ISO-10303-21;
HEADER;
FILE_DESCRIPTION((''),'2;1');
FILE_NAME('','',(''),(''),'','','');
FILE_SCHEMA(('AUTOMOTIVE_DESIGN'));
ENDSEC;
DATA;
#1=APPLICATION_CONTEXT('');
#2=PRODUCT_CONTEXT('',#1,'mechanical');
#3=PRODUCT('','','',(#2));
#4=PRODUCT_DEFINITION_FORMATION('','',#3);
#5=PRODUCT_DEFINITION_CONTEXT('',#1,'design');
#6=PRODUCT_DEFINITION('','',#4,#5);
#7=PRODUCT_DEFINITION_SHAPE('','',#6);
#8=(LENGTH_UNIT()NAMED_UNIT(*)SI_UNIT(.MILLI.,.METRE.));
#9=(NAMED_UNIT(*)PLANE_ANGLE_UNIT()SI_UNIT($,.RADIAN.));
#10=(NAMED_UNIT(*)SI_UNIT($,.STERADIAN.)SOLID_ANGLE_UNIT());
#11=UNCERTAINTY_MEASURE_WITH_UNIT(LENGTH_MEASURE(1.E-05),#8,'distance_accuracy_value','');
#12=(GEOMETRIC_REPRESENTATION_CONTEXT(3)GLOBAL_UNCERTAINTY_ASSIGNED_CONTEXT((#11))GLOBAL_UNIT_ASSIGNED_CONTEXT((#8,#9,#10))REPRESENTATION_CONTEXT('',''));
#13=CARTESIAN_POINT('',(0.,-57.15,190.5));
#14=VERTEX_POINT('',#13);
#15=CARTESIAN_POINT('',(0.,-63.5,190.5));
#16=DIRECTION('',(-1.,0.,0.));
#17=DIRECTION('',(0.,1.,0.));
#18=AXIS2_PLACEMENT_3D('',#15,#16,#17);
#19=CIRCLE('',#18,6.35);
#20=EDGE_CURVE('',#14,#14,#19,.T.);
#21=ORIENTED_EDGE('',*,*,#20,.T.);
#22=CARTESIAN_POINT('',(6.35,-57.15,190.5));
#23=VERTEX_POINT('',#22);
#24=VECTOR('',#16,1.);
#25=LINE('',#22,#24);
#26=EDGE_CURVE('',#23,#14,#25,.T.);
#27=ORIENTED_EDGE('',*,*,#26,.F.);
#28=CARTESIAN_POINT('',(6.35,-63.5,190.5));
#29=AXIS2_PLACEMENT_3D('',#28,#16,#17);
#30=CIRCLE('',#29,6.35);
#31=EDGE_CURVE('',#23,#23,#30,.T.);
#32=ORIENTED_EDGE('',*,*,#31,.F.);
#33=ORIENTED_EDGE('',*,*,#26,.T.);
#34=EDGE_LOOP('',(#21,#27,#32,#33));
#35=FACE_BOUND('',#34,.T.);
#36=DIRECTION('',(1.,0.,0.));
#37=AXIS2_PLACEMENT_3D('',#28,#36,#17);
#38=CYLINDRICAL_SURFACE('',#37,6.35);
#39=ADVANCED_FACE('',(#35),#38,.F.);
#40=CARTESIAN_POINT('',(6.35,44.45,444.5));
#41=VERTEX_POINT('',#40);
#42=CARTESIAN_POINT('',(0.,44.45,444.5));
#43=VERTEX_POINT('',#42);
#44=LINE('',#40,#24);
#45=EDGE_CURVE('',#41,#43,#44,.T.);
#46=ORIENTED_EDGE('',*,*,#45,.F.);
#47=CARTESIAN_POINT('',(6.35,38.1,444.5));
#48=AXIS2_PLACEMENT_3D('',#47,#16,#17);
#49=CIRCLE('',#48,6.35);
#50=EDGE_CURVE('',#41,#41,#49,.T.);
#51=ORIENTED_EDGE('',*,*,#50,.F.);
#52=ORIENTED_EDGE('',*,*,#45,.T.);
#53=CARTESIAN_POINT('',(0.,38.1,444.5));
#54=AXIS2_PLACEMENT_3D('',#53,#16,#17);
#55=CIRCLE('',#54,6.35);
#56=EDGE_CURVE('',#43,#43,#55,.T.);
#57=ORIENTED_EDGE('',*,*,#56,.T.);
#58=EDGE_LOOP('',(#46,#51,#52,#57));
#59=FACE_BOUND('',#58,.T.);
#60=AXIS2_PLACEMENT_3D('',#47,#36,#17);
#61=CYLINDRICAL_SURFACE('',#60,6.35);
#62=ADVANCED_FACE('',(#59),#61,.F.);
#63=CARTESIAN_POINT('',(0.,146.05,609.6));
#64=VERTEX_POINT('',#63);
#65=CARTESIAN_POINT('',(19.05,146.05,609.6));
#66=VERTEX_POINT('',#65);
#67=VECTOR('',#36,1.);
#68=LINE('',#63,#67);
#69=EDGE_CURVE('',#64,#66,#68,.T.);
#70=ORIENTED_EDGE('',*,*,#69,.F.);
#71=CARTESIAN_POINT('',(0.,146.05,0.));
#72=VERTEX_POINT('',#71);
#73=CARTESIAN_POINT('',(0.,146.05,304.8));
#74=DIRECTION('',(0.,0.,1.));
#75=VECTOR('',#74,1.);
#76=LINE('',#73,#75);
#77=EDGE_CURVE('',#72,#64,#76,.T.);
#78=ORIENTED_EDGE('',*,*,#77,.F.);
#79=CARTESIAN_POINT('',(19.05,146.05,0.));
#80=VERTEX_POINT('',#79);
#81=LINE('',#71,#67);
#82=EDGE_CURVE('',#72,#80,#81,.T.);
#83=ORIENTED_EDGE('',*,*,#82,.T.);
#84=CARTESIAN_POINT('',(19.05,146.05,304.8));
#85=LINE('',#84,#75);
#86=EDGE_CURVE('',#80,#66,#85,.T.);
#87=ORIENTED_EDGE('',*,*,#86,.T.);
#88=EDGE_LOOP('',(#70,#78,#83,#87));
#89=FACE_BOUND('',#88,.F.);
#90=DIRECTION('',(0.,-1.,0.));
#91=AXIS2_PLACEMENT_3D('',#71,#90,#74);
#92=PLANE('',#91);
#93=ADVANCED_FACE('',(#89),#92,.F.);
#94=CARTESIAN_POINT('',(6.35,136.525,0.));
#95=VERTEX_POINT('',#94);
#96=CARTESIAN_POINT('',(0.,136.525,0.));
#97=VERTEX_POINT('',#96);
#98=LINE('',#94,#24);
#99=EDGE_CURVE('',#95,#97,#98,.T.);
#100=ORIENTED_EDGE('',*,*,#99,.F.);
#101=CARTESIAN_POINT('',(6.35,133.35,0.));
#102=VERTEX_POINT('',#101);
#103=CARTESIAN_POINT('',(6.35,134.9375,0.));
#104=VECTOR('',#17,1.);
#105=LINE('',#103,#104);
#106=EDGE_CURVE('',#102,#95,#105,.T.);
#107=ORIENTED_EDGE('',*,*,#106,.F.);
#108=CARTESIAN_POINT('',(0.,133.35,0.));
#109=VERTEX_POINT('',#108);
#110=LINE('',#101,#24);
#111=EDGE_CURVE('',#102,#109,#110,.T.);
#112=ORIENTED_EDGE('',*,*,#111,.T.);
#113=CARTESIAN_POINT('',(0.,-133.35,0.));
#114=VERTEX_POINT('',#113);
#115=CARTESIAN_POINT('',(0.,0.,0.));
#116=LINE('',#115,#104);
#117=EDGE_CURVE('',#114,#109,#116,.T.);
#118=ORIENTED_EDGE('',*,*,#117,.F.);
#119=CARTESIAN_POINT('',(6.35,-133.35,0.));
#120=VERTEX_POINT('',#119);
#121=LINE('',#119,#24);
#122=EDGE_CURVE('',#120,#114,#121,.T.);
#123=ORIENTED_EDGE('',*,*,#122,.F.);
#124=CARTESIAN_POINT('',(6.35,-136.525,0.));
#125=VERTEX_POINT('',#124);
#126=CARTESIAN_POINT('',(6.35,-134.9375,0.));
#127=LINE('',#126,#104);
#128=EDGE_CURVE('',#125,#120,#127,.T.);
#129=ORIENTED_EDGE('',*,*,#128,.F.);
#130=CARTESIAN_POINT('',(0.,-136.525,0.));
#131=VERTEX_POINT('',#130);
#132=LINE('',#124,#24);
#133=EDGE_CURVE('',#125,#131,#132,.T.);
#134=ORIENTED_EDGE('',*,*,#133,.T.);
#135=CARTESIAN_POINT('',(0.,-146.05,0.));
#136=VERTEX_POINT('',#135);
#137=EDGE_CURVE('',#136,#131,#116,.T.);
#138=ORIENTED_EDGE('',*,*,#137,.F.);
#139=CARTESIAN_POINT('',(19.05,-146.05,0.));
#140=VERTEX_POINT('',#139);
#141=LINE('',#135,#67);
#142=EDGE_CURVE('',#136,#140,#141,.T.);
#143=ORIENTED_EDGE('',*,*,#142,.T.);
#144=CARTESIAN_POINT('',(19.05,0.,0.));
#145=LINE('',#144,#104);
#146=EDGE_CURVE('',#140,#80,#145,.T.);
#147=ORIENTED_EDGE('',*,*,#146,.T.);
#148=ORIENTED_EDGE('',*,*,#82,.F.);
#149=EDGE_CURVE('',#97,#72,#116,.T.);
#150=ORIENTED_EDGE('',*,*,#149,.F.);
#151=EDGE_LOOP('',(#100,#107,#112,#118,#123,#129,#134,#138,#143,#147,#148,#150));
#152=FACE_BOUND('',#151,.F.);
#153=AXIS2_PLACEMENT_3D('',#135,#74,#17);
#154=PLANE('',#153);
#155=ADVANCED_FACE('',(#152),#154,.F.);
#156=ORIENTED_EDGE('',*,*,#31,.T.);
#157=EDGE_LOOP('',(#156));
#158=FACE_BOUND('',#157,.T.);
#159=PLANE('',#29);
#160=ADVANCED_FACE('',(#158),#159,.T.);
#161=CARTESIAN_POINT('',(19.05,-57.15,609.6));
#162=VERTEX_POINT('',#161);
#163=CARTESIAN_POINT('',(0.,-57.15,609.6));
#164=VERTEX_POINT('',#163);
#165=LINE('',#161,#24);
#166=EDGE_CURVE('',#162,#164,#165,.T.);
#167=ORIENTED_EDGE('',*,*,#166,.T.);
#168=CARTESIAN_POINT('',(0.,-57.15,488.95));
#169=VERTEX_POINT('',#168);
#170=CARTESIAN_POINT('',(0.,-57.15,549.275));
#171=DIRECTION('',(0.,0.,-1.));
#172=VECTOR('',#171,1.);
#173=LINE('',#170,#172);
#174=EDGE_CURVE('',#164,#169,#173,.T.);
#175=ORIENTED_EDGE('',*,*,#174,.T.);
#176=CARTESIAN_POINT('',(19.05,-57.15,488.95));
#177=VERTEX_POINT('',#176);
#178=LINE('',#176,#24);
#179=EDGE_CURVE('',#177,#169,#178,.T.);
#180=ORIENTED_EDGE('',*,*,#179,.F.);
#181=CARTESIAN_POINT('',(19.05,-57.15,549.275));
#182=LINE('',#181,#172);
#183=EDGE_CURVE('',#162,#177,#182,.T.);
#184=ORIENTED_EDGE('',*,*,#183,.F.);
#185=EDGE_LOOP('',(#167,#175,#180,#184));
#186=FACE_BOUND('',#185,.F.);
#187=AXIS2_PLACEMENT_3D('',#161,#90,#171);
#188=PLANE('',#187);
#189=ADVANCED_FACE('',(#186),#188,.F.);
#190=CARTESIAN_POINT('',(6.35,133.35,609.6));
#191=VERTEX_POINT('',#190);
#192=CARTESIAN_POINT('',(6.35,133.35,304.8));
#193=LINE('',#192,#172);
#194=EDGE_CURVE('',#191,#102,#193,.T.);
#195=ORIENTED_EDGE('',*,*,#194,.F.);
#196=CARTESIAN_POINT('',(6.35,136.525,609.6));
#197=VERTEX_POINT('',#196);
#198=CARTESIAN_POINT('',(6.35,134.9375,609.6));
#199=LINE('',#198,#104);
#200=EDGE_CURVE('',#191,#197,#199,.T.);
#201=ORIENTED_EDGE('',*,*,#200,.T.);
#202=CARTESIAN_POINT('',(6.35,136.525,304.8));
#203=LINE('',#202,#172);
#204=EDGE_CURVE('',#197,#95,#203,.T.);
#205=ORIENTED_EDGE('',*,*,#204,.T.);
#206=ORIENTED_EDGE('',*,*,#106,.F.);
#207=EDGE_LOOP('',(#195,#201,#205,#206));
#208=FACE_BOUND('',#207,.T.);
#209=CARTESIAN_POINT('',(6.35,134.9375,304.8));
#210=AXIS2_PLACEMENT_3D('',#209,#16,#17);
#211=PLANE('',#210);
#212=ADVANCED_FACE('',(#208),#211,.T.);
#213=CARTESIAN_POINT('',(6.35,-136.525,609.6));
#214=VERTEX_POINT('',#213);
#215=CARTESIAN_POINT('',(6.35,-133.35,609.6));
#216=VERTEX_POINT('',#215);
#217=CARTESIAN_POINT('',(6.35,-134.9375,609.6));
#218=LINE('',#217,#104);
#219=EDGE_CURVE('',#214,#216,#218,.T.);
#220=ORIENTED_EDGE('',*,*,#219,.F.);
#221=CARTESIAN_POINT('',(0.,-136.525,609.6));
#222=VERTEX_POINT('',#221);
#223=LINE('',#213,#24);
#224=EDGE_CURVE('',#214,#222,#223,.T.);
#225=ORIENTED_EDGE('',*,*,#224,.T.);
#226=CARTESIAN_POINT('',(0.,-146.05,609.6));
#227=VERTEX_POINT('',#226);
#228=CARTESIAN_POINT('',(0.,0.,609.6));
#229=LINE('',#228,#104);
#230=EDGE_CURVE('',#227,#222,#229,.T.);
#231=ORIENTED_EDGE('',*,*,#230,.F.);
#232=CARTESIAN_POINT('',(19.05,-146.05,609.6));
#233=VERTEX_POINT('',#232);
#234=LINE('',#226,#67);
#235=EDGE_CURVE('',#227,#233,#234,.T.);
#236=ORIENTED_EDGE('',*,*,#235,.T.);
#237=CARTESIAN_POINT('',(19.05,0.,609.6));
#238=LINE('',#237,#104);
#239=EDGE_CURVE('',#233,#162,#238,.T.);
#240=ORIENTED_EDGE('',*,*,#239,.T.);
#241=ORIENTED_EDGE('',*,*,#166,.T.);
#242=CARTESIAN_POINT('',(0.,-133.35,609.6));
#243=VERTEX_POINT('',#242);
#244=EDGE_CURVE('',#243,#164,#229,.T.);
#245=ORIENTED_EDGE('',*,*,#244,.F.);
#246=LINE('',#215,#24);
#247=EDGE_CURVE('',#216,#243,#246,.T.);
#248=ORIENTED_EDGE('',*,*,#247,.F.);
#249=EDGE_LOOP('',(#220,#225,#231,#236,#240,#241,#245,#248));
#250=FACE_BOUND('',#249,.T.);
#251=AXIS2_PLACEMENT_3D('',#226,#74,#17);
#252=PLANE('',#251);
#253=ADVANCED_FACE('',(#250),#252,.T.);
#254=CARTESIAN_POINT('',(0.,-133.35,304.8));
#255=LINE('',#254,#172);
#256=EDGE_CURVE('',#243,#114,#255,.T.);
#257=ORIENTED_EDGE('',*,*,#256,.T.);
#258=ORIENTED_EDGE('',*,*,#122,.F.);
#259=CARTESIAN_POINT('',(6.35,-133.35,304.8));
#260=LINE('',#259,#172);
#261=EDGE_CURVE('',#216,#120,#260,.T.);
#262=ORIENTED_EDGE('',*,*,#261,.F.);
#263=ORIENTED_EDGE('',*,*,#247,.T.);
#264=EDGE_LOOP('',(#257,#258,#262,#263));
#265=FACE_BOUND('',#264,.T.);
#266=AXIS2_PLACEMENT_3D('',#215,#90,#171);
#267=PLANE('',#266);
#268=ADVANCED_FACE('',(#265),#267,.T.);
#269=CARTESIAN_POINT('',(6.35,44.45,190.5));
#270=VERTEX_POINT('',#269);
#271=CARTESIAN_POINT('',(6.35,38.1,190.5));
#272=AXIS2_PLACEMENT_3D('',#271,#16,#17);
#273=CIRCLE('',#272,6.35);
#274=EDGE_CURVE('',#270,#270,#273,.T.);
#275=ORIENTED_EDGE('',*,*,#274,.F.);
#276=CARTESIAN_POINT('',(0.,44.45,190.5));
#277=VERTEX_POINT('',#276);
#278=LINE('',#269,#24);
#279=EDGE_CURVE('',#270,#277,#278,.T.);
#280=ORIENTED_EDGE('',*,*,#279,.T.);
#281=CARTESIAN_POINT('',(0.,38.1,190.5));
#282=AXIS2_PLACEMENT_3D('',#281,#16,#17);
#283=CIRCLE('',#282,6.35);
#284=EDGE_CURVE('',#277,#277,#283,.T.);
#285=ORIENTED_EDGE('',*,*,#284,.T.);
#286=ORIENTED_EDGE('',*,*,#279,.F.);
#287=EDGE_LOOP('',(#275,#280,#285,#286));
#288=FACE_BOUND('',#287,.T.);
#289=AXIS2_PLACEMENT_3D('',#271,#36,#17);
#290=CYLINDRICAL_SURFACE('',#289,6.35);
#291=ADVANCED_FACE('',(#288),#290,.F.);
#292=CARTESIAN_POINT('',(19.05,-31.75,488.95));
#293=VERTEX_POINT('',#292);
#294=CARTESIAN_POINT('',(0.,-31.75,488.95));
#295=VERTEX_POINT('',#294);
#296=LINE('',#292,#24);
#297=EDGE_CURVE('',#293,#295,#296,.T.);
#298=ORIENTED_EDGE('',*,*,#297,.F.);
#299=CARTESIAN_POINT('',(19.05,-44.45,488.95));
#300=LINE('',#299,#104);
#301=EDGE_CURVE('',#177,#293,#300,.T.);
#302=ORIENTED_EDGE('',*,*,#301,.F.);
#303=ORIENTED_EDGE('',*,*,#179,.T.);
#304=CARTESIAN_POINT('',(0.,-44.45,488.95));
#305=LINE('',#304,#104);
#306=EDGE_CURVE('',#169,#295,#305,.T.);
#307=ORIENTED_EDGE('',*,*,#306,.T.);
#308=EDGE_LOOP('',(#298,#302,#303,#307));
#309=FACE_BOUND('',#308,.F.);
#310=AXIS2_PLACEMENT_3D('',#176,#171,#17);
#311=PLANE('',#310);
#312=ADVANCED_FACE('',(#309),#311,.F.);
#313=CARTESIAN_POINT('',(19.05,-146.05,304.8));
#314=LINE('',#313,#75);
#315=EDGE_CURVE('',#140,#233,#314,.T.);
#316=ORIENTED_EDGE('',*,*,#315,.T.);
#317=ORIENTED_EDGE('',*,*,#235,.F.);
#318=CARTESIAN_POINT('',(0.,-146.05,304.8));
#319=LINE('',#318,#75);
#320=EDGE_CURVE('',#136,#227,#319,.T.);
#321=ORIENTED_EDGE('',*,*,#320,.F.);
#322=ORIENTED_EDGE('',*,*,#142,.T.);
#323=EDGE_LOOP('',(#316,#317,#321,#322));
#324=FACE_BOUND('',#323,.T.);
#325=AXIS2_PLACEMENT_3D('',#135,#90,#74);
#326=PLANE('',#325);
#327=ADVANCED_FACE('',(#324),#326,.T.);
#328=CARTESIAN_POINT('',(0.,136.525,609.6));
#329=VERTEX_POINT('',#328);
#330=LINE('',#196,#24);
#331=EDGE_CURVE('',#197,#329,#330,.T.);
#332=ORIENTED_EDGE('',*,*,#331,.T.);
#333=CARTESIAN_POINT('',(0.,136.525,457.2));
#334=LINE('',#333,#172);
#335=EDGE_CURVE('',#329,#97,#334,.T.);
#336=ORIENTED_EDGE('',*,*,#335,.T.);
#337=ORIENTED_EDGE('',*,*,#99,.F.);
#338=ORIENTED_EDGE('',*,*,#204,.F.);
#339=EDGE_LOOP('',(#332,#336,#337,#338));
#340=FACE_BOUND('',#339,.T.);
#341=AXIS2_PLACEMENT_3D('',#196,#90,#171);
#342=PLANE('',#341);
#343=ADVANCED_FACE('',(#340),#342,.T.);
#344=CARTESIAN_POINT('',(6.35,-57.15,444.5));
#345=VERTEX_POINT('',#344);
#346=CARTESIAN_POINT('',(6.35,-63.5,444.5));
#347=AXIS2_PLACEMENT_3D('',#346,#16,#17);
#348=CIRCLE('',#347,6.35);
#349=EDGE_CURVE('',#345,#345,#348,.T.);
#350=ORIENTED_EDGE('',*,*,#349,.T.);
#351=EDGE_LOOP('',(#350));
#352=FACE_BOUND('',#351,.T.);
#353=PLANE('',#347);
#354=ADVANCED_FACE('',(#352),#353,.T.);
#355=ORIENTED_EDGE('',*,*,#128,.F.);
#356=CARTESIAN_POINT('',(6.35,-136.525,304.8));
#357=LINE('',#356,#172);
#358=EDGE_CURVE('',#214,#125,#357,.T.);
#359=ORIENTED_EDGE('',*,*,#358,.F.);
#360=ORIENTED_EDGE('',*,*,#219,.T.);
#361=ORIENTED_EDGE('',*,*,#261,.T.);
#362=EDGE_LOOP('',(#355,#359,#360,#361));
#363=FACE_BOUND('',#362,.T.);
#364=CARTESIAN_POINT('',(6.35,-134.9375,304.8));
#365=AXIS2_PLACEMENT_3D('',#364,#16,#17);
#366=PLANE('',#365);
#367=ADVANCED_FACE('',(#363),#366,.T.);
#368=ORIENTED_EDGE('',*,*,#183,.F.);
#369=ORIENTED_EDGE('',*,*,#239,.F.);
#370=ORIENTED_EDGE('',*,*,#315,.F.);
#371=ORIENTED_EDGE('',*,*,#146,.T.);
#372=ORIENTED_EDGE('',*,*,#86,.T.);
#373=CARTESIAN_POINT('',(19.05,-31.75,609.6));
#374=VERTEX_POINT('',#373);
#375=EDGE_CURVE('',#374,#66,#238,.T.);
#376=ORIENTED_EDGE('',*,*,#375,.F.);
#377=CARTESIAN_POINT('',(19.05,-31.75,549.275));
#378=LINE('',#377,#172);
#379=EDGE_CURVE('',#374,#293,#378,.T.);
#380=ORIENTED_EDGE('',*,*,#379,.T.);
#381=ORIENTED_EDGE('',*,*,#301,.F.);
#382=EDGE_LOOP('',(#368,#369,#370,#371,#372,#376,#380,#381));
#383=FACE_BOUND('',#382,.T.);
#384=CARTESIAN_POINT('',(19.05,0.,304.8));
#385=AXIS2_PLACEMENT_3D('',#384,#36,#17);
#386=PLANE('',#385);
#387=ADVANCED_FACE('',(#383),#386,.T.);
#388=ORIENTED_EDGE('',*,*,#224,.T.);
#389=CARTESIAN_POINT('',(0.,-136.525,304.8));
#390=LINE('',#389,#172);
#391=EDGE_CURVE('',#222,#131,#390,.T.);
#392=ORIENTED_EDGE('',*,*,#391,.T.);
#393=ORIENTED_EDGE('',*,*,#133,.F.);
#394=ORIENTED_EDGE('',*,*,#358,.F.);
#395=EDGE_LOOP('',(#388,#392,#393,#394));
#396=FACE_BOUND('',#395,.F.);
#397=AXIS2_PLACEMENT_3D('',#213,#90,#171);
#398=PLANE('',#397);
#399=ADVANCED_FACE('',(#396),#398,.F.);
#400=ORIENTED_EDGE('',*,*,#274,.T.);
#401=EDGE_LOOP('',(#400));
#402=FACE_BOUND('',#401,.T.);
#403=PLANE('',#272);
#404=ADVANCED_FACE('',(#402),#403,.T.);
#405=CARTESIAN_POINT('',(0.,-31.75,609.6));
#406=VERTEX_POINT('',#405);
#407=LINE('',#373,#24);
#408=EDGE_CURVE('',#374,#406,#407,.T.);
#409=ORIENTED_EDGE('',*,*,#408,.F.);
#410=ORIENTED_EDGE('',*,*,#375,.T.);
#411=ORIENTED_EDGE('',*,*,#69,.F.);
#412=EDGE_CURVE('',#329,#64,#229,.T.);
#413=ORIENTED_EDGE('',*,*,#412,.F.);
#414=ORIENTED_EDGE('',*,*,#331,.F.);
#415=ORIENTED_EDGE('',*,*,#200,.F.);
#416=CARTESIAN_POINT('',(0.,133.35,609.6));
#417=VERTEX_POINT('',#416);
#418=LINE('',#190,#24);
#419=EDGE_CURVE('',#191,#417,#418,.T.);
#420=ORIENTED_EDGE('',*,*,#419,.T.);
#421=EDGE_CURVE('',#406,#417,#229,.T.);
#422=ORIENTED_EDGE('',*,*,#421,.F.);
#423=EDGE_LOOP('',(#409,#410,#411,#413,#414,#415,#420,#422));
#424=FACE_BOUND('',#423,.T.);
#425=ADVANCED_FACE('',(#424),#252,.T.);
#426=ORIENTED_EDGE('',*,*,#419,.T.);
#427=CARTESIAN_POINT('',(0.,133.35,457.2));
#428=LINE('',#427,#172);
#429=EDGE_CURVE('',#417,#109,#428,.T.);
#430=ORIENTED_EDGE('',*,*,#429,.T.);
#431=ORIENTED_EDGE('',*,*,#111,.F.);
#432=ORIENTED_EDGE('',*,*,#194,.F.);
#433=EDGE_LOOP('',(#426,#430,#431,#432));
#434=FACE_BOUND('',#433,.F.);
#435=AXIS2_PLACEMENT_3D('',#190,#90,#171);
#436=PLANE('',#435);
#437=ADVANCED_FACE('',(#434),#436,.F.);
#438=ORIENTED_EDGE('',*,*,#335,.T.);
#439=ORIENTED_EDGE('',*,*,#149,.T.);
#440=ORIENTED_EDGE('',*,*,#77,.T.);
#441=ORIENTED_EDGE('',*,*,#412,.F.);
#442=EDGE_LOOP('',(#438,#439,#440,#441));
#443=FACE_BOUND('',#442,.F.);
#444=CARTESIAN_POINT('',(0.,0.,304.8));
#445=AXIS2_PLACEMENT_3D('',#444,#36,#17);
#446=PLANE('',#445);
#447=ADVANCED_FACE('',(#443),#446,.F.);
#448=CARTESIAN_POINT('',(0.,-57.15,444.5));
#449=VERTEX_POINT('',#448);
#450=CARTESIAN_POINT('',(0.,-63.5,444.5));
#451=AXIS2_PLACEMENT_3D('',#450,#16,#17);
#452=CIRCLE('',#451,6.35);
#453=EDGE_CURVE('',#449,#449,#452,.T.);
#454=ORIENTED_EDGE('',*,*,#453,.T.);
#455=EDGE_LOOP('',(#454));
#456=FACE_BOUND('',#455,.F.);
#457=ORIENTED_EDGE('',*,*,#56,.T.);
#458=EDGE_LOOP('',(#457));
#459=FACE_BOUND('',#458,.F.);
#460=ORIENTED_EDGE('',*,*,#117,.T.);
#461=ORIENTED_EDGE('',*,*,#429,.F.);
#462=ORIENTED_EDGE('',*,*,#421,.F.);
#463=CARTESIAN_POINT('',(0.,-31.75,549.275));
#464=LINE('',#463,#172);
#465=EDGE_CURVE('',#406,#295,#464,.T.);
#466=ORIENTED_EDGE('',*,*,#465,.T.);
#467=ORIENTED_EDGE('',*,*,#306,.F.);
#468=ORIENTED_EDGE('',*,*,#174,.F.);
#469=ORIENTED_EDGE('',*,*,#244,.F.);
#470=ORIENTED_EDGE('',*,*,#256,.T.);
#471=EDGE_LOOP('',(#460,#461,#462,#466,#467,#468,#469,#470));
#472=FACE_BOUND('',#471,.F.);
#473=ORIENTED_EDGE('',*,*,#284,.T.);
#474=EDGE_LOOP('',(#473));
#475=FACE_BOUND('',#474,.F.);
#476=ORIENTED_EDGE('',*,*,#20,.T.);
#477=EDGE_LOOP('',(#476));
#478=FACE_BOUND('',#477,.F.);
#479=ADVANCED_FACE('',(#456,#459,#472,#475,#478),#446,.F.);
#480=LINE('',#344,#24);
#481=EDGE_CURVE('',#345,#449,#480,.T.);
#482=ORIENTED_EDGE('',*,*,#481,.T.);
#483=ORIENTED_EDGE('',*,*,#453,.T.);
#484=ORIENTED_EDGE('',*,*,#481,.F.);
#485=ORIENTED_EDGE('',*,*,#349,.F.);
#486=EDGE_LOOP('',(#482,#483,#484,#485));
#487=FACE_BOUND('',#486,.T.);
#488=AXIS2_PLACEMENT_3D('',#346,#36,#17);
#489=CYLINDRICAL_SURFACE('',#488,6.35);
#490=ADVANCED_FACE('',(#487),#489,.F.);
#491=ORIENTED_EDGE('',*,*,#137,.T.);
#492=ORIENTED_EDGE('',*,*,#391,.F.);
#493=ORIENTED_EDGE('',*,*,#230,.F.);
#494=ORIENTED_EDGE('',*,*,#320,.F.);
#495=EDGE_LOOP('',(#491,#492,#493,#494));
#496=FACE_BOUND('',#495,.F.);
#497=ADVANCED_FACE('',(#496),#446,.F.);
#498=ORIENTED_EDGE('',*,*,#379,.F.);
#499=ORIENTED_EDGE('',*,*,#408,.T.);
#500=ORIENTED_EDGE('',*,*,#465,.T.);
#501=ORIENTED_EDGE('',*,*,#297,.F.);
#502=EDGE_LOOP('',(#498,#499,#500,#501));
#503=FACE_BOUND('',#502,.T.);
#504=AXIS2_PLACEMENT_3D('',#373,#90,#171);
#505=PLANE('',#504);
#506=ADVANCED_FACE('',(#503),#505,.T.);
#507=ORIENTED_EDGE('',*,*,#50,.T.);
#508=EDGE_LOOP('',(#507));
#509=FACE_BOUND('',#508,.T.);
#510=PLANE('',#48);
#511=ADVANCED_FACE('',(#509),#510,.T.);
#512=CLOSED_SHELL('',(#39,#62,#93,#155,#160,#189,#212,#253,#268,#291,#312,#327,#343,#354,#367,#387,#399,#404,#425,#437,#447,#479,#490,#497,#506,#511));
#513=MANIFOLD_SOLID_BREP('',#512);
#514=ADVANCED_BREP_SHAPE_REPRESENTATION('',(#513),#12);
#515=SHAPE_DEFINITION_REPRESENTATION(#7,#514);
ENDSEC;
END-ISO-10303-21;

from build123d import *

# Parameters (mm, degrees)
SKETCH_W          = 292.1
SKETCH_H          = 609.6
PAD_DEPTH         = 19.05
BOX_W             = 3.175
BOX_H             = 609.6
BOX_DEPTH         = 107.95
BOX001_W          = 3.175
BOX001_H          = 609.6
BOX001_DEPTH      = 6.35
CYLINDER_R        = 6.35
CYLINDER_DEPTH    = 6.35
CYLINDER001_R     = 6.35
CYLINDER001_DEPTH = 6.35
CYLINDER002_R     = 6.35
CYLINDER002_DEPTH = 6.35
CYLINDER003_R     = 6.35
CYLINDER003_DEPTH = 6.35
BOX002_W          = 25.4
BOX002_H          = 120.65
BOX002_DEPTH      = 19.05


with BuildPart() as part:
    # Sketch → Pad (new body)
    with BuildSketch(Plane.YZ):
        with Locations((0, 304.8)):
            Rectangle(SKETCH_W, SKETCH_H)
    extrude(amount=PAD_DEPTH)

    # Box → Box (cut)
    with BuildSketch(Plane(origin=(6.35, 133.35, 609.6), x_dir=(0, 1, 0), z_dir=(-1, 0, 0))):
        with Locations((1.5875, 304.8)):
            Rectangle(BOX_W, BOX_H)
    extrude(amount=BOX_DEPTH, mode=Mode.SUBTRACT)

    # Box001 → Box001 (cut)
    with BuildSketch(Plane(origin=(6.35, -136.525, 609.6), x_dir=(0, 1, 0), z_dir=(-1, 0, 0))):
        with Locations((1.5875, 304.8)):
            Rectangle(BOX001_W, BOX001_H)
    extrude(amount=BOX001_DEPTH, mode=Mode.SUBTRACT)

    # Cylinder → Cylinder (cut)
    with BuildSketch(Plane(origin=(6.35, -63.5, 444.5), x_dir=(0, 1, 0), z_dir=(-1, 0, 0))):
        Circle(CYLINDER_R)
    extrude(amount=CYLINDER_DEPTH, mode=Mode.SUBTRACT)

    # Cylinder001 → Cylinder001 (cut)
    with BuildSketch(Plane(origin=(6.35, 38.1, 444.5), x_dir=(0, 1, 0), z_dir=(-1, 0, 0))):
        Circle(CYLINDER001_R)
    extrude(amount=CYLINDER001_DEPTH, mode=Mode.SUBTRACT)

    # Cylinder002 → Cylinder002 (cut)
    with BuildSketch(Plane(origin=(6.35, 38.1, 190.5), x_dir=(0, 1, 0), z_dir=(-1, 0, 0))):
        Circle(CYLINDER002_R)
    extrude(amount=CYLINDER002_DEPTH, mode=Mode.SUBTRACT)

    # Cylinder003 → Cylinder003 (cut)
    with BuildSketch(Plane(origin=(6.35, -63.5, 190.5), x_dir=(0, 1, 0), z_dir=(-1, 0, 0))):
        Circle(CYLINDER003_R)
    extrude(amount=CYLINDER003_DEPTH, mode=Mode.SUBTRACT)

    # Box002 → Box002 (cut)
    with BuildSketch(Plane(origin=(19.05, -57.15, 609.6), x_dir=(0, 1, 0), z_dir=(-1, 0, 0))):
        with Locations((12.7, 60.325)):
            Rectangle(BOX002_W, BOX002_H)
    extrude(amount=BOX002_DEPTH, mode=Mode.SUBTRACT)


solid = part.part
